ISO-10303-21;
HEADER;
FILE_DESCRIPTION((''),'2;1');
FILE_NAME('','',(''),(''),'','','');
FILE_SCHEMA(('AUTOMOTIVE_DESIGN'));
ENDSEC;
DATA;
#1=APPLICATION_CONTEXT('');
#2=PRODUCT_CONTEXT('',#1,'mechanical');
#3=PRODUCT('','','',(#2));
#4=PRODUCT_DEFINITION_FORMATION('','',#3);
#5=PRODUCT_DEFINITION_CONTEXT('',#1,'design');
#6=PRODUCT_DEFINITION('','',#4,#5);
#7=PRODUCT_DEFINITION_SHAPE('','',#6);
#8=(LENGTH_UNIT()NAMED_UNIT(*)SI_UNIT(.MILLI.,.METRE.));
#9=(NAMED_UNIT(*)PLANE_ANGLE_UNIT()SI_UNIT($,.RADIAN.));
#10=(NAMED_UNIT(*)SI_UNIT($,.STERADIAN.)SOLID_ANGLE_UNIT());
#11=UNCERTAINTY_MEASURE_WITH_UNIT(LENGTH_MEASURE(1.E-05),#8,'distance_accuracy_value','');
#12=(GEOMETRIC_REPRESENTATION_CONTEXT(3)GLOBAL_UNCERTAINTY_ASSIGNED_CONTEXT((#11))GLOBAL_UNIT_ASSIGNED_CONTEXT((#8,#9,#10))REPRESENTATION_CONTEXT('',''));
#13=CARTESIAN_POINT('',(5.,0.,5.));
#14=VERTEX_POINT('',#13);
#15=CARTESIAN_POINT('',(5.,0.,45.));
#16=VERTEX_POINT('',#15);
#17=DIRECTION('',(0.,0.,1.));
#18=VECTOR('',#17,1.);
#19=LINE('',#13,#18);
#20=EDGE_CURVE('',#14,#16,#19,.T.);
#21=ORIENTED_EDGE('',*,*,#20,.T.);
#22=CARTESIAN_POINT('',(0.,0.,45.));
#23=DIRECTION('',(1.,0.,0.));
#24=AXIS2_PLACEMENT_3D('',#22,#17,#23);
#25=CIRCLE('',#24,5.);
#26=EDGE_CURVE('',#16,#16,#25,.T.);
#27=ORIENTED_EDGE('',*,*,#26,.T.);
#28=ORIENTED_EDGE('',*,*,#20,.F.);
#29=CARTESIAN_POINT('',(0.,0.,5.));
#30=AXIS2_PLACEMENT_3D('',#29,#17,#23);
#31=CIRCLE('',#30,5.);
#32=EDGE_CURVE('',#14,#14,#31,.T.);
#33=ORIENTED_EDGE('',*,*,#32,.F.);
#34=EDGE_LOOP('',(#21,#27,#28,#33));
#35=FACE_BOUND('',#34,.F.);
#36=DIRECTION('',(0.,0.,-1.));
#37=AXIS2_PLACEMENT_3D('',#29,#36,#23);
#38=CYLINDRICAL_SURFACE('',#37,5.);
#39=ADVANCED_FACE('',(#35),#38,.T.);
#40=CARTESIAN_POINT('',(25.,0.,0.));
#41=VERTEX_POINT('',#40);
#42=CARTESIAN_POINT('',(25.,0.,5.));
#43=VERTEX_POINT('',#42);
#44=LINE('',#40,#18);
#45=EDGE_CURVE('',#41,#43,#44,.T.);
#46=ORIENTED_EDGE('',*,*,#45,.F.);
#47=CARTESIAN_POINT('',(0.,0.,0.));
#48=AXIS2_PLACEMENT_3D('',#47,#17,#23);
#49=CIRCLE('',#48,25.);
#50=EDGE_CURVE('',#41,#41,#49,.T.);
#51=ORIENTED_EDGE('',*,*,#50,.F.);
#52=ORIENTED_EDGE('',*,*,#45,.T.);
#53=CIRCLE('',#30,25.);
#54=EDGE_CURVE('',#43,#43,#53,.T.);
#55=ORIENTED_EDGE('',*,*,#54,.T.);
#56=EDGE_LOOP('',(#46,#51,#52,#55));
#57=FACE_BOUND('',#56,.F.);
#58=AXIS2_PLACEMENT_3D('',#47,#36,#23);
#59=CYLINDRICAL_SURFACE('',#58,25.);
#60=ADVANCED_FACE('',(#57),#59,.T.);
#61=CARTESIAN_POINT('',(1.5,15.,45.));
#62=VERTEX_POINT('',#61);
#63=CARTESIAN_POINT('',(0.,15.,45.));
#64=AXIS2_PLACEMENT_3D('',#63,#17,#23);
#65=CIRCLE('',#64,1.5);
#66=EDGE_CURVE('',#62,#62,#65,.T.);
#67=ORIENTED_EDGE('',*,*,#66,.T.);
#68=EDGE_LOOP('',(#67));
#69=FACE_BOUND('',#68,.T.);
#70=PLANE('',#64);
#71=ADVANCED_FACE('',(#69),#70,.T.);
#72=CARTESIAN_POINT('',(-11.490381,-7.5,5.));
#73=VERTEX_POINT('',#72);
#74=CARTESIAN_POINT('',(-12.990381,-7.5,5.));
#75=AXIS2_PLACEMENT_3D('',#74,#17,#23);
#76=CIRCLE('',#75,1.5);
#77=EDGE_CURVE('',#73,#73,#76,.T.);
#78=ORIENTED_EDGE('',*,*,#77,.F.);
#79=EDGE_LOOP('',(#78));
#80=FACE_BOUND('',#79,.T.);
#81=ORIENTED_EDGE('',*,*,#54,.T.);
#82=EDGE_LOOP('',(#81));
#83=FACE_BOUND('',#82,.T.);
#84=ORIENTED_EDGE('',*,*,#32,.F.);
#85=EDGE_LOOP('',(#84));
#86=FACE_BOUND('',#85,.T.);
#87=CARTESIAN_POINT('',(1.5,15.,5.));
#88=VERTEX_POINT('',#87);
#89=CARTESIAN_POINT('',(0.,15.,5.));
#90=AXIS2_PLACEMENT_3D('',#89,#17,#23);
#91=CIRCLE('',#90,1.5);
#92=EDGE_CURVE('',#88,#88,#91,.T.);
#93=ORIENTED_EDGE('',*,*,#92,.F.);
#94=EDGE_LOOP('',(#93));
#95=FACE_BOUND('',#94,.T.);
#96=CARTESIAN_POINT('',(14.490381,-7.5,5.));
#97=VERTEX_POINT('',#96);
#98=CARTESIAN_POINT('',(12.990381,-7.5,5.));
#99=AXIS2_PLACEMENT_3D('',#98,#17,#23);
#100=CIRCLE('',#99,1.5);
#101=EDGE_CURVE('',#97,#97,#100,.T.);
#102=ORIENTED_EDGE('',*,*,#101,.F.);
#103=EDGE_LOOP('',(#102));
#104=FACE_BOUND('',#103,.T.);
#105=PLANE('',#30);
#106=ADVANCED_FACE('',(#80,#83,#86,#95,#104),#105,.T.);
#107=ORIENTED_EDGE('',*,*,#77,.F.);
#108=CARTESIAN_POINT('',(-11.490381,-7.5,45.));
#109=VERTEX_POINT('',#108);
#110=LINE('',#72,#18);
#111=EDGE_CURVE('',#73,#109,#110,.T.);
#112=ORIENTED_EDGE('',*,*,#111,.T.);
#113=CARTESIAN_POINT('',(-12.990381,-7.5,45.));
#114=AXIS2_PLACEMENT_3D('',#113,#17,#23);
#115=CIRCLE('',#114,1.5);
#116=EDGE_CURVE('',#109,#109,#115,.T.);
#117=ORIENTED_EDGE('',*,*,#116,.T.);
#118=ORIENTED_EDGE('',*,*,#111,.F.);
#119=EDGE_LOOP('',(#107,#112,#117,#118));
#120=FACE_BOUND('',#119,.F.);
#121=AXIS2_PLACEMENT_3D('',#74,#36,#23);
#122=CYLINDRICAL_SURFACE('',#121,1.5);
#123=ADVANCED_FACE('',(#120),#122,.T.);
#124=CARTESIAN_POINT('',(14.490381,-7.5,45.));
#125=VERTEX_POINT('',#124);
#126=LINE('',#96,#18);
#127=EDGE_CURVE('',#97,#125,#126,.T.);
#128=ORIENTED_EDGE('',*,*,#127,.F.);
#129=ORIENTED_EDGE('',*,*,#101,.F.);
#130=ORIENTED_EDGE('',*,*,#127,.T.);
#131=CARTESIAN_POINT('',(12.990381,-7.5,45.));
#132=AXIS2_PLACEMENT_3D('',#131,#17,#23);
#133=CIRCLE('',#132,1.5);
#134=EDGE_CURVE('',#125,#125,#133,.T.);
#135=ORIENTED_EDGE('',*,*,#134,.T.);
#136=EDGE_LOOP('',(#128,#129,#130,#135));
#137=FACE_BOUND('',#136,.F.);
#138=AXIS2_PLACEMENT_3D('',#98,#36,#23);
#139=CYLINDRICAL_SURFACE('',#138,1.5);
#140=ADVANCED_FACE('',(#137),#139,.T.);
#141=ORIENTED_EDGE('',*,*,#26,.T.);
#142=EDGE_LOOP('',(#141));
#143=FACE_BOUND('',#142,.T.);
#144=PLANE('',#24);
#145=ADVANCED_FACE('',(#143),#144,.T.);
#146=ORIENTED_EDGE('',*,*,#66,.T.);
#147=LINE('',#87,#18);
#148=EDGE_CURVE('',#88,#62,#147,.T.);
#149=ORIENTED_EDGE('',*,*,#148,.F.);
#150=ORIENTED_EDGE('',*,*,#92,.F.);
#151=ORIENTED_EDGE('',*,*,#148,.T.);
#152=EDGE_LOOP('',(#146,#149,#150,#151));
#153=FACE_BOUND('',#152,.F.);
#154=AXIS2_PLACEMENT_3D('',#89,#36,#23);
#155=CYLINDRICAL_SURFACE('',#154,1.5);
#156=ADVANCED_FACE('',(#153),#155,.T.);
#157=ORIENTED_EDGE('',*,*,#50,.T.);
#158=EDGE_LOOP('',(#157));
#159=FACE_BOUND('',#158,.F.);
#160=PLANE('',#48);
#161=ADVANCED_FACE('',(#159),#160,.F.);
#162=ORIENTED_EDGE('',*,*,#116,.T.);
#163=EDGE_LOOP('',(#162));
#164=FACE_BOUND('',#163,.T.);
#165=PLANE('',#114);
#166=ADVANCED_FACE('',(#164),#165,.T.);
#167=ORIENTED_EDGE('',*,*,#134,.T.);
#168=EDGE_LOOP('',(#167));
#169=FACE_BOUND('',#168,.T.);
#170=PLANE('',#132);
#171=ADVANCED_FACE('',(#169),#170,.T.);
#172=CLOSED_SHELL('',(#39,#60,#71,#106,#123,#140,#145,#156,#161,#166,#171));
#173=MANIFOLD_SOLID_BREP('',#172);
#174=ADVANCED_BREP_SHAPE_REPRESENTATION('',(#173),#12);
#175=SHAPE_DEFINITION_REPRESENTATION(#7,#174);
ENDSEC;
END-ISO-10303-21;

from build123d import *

# Parameters (mm, degrees)
F0_R     = 25
F1_DEPTH = 5
F2_R     = 5
F3_DEPTH = 40
F5_R     = 1.5
F6_DEPTH = 40


with BuildPart() as f1:
    # F0 (on Top) → F1 (new body)
    with BuildSketch(Plane.XY):
        Circle(F0_R)
    extrude(amount=F1_DEPTH)

    # F2 (on face) → F3 (join)
    with BuildSketch(Plane.XY.offset(5)):
        Circle(F2_R)
    extrude(amount=F3_DEPTH)

    # F5 (on face) → F6 (join)
    with BuildSketch(Plane.XY.offset(5)):
        with Locations((0, 15)):
            Circle(F5_R)
        with Locations((12.990381, -7.5)):
            Circle(F5_R)
        with Locations((-12.990381, -7.5)):
            Circle(F5_R)
    extrude(amount=F6_DEPTH)


solid = f1.part
